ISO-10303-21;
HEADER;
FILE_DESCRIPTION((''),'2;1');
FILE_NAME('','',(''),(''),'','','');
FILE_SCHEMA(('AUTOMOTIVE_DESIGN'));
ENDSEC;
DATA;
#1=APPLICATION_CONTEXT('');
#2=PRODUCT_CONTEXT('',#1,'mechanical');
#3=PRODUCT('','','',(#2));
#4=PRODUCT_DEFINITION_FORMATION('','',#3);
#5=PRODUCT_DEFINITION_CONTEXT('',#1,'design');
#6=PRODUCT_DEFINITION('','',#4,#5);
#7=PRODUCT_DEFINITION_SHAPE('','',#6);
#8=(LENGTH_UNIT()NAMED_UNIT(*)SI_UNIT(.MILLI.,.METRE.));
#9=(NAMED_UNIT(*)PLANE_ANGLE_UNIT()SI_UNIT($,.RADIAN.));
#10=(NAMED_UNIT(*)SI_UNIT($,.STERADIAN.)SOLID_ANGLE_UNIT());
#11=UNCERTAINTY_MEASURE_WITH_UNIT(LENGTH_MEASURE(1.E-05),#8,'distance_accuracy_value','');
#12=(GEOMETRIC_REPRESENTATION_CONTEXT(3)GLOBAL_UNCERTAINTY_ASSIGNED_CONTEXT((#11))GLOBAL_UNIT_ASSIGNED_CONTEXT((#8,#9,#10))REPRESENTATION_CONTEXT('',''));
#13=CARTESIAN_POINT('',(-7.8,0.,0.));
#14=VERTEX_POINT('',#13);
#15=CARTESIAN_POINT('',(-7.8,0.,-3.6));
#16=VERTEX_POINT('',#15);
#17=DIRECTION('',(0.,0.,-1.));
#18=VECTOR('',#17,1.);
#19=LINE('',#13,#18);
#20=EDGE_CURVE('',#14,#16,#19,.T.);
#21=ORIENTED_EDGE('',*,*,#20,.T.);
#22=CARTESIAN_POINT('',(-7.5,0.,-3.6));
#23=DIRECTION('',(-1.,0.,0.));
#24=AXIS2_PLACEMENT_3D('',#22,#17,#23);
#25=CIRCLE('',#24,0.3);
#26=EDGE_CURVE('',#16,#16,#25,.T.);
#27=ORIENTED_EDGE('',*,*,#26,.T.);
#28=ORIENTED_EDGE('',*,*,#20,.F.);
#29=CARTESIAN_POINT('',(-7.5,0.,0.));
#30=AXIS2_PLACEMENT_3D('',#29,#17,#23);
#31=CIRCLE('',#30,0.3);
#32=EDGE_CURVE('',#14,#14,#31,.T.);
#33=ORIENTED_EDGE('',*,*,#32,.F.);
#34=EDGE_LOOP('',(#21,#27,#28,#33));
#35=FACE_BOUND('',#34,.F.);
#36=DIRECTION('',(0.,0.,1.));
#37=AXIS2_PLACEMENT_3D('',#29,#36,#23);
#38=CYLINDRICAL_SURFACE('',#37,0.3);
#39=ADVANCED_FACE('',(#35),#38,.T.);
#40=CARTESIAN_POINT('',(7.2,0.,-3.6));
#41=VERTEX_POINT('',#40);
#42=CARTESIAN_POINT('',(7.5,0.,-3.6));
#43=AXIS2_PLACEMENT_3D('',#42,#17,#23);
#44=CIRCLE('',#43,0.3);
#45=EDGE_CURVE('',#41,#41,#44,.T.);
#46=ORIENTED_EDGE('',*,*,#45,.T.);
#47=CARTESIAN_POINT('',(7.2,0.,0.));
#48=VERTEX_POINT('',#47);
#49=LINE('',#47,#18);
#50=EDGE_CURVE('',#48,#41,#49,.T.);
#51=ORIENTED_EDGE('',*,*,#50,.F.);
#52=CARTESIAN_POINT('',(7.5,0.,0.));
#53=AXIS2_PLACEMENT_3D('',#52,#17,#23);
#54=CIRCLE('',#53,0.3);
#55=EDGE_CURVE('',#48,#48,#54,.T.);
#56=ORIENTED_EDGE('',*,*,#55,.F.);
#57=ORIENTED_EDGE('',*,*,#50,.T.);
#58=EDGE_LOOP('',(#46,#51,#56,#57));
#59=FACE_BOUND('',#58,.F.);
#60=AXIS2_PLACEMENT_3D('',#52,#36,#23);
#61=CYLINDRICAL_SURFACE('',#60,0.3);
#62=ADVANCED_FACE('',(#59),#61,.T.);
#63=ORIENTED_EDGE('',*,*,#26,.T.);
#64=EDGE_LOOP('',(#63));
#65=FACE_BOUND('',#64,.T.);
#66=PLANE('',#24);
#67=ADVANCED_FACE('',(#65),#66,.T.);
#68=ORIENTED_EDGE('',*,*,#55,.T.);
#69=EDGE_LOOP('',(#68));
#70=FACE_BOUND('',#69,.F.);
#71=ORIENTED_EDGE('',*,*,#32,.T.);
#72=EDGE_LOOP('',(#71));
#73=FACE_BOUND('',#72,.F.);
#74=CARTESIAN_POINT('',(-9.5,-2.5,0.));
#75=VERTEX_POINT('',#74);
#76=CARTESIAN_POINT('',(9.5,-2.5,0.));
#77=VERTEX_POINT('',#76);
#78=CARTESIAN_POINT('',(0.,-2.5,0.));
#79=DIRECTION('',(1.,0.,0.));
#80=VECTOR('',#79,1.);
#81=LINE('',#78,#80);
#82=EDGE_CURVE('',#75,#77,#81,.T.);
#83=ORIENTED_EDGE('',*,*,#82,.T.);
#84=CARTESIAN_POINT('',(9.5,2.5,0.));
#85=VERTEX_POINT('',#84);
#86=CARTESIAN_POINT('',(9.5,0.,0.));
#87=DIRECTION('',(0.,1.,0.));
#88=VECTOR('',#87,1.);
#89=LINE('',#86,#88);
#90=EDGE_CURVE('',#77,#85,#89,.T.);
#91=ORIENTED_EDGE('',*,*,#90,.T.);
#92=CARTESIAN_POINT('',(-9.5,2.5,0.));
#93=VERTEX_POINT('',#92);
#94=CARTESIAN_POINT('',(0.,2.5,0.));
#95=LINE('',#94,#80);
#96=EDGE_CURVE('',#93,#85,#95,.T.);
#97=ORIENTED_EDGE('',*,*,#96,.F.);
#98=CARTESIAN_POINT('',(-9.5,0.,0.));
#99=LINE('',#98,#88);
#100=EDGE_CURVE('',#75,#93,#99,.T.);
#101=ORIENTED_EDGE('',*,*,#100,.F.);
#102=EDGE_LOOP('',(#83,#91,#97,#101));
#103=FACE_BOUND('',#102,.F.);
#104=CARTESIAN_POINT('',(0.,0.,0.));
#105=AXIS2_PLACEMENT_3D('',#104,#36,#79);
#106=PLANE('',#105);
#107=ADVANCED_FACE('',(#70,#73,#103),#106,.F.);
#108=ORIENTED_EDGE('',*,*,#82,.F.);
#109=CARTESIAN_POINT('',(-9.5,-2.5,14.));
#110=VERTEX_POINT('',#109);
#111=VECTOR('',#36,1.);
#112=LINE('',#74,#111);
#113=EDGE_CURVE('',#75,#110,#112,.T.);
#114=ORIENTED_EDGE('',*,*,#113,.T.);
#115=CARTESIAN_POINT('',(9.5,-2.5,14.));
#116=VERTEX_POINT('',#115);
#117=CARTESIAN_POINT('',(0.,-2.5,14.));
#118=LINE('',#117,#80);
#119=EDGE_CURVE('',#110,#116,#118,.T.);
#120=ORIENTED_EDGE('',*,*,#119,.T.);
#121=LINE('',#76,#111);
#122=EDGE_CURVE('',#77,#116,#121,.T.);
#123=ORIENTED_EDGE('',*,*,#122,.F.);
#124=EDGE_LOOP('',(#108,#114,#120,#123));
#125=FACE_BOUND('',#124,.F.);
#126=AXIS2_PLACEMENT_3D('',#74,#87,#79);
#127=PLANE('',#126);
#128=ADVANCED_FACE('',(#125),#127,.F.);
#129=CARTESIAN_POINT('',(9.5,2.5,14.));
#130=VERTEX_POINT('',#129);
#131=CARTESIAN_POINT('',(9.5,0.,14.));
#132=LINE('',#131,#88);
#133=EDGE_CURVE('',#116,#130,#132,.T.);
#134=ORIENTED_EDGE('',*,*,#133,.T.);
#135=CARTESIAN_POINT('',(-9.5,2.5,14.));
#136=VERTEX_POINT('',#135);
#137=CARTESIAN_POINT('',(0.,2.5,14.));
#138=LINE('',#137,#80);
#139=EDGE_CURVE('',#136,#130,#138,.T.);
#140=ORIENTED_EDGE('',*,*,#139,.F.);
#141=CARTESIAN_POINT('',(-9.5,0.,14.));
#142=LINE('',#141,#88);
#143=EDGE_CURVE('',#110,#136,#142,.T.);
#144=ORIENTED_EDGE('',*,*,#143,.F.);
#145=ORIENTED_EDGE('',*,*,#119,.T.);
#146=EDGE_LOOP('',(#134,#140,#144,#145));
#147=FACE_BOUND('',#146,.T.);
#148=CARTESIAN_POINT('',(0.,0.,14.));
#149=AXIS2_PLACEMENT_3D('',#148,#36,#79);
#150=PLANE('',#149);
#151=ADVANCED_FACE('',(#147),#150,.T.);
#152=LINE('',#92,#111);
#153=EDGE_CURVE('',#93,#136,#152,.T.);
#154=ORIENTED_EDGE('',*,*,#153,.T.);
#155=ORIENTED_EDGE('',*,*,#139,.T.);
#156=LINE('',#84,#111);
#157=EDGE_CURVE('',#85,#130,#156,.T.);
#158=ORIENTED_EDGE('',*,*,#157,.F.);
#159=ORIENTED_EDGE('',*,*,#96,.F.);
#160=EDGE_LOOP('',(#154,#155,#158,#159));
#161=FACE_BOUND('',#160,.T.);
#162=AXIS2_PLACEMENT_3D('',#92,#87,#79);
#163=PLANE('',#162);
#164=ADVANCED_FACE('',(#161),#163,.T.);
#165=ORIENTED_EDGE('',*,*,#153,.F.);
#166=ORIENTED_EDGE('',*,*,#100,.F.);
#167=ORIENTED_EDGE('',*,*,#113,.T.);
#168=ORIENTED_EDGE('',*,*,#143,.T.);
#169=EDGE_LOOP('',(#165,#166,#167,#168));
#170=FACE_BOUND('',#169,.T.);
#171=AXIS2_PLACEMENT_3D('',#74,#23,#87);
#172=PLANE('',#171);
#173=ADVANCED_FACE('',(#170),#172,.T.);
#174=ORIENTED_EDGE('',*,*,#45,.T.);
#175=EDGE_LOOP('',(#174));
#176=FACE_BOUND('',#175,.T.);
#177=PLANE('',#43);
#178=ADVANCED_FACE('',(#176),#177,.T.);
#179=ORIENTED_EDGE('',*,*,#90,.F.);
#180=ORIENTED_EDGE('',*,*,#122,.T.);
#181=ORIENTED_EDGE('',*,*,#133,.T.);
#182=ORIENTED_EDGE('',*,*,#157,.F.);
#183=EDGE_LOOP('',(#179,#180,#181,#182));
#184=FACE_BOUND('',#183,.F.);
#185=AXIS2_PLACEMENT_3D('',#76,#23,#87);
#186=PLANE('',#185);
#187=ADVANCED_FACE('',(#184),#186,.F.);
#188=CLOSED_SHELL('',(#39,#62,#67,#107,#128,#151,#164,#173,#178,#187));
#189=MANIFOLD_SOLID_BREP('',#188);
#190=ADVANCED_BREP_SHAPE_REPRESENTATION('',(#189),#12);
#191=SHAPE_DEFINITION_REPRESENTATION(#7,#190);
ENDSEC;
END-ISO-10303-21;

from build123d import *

# Parameters (mm, degrees)
ESQUISSE1_W        = 19
ESQUISSE1_H        = 5
BOSS_EXTRU_1_DEPTH = 14
ESQUISSE2_R        = 0.3
BOSS_EXTRU_2_DEPTH = 3.6


with BuildPart() as part:
    # Esquisse1 → Boss.-Extru.1 (new body)
    with BuildSketch(Plane.XY):
        Rectangle(ESQUISSE1_W, ESQUISSE1_H)
    extrude(amount=BOSS_EXTRU_1_DEPTH)

    # Esquisse2 → Boss.-Extru.2 (add)
    with BuildSketch(Plane(origin=(0, 0, 0), x_dir=(-1, 0, 0), z_dir=(0, 0, -1))):
        with Locations((-7.5, 0)):
            Circle(ESQUISSE2_R)
        with Locations((7.5, 0)):
            Circle(ESQUISSE2_R)
    extrude(amount=BOSS_EXTRU_2_DEPTH)


solid = part.part
